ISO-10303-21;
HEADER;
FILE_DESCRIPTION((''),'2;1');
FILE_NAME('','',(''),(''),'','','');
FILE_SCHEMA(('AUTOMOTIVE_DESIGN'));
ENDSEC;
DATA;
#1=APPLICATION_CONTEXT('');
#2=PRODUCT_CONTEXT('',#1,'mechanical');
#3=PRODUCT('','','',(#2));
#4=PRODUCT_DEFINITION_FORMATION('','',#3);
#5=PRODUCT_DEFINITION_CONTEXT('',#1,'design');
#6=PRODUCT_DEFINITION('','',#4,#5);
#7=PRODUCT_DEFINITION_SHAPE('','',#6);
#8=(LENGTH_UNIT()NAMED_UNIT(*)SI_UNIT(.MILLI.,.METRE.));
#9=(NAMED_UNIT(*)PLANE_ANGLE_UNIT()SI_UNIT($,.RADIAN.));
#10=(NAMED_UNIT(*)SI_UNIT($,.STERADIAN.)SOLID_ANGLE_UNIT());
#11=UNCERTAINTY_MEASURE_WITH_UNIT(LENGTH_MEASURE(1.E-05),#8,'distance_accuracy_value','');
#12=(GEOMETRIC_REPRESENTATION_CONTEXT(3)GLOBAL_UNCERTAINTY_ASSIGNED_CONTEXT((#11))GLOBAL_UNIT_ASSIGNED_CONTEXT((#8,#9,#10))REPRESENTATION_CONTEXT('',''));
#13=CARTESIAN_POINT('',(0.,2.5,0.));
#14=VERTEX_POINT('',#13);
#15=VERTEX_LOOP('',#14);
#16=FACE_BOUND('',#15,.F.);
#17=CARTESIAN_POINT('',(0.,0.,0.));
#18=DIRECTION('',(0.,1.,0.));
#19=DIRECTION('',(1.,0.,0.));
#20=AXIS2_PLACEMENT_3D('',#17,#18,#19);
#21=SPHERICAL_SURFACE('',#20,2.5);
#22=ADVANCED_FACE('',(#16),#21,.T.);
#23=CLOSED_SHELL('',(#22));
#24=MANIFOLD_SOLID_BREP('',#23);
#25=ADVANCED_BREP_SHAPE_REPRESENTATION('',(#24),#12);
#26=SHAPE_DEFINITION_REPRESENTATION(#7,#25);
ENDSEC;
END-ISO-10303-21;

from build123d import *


with BuildPart() as part:
    # 草图1 → 旋转1 (revolve)
    with BuildSketch(Plane.XY):
        with BuildLine():
            Line((0, 2.5), (0, -2.5))
            ThreePointArc((0, -2.5), (2.5, 0), (0, 2.5))
        make_face()
    revolve(axis=Axis((0, 2.5, 0), (0, -1, 0)))


solid = part.part
